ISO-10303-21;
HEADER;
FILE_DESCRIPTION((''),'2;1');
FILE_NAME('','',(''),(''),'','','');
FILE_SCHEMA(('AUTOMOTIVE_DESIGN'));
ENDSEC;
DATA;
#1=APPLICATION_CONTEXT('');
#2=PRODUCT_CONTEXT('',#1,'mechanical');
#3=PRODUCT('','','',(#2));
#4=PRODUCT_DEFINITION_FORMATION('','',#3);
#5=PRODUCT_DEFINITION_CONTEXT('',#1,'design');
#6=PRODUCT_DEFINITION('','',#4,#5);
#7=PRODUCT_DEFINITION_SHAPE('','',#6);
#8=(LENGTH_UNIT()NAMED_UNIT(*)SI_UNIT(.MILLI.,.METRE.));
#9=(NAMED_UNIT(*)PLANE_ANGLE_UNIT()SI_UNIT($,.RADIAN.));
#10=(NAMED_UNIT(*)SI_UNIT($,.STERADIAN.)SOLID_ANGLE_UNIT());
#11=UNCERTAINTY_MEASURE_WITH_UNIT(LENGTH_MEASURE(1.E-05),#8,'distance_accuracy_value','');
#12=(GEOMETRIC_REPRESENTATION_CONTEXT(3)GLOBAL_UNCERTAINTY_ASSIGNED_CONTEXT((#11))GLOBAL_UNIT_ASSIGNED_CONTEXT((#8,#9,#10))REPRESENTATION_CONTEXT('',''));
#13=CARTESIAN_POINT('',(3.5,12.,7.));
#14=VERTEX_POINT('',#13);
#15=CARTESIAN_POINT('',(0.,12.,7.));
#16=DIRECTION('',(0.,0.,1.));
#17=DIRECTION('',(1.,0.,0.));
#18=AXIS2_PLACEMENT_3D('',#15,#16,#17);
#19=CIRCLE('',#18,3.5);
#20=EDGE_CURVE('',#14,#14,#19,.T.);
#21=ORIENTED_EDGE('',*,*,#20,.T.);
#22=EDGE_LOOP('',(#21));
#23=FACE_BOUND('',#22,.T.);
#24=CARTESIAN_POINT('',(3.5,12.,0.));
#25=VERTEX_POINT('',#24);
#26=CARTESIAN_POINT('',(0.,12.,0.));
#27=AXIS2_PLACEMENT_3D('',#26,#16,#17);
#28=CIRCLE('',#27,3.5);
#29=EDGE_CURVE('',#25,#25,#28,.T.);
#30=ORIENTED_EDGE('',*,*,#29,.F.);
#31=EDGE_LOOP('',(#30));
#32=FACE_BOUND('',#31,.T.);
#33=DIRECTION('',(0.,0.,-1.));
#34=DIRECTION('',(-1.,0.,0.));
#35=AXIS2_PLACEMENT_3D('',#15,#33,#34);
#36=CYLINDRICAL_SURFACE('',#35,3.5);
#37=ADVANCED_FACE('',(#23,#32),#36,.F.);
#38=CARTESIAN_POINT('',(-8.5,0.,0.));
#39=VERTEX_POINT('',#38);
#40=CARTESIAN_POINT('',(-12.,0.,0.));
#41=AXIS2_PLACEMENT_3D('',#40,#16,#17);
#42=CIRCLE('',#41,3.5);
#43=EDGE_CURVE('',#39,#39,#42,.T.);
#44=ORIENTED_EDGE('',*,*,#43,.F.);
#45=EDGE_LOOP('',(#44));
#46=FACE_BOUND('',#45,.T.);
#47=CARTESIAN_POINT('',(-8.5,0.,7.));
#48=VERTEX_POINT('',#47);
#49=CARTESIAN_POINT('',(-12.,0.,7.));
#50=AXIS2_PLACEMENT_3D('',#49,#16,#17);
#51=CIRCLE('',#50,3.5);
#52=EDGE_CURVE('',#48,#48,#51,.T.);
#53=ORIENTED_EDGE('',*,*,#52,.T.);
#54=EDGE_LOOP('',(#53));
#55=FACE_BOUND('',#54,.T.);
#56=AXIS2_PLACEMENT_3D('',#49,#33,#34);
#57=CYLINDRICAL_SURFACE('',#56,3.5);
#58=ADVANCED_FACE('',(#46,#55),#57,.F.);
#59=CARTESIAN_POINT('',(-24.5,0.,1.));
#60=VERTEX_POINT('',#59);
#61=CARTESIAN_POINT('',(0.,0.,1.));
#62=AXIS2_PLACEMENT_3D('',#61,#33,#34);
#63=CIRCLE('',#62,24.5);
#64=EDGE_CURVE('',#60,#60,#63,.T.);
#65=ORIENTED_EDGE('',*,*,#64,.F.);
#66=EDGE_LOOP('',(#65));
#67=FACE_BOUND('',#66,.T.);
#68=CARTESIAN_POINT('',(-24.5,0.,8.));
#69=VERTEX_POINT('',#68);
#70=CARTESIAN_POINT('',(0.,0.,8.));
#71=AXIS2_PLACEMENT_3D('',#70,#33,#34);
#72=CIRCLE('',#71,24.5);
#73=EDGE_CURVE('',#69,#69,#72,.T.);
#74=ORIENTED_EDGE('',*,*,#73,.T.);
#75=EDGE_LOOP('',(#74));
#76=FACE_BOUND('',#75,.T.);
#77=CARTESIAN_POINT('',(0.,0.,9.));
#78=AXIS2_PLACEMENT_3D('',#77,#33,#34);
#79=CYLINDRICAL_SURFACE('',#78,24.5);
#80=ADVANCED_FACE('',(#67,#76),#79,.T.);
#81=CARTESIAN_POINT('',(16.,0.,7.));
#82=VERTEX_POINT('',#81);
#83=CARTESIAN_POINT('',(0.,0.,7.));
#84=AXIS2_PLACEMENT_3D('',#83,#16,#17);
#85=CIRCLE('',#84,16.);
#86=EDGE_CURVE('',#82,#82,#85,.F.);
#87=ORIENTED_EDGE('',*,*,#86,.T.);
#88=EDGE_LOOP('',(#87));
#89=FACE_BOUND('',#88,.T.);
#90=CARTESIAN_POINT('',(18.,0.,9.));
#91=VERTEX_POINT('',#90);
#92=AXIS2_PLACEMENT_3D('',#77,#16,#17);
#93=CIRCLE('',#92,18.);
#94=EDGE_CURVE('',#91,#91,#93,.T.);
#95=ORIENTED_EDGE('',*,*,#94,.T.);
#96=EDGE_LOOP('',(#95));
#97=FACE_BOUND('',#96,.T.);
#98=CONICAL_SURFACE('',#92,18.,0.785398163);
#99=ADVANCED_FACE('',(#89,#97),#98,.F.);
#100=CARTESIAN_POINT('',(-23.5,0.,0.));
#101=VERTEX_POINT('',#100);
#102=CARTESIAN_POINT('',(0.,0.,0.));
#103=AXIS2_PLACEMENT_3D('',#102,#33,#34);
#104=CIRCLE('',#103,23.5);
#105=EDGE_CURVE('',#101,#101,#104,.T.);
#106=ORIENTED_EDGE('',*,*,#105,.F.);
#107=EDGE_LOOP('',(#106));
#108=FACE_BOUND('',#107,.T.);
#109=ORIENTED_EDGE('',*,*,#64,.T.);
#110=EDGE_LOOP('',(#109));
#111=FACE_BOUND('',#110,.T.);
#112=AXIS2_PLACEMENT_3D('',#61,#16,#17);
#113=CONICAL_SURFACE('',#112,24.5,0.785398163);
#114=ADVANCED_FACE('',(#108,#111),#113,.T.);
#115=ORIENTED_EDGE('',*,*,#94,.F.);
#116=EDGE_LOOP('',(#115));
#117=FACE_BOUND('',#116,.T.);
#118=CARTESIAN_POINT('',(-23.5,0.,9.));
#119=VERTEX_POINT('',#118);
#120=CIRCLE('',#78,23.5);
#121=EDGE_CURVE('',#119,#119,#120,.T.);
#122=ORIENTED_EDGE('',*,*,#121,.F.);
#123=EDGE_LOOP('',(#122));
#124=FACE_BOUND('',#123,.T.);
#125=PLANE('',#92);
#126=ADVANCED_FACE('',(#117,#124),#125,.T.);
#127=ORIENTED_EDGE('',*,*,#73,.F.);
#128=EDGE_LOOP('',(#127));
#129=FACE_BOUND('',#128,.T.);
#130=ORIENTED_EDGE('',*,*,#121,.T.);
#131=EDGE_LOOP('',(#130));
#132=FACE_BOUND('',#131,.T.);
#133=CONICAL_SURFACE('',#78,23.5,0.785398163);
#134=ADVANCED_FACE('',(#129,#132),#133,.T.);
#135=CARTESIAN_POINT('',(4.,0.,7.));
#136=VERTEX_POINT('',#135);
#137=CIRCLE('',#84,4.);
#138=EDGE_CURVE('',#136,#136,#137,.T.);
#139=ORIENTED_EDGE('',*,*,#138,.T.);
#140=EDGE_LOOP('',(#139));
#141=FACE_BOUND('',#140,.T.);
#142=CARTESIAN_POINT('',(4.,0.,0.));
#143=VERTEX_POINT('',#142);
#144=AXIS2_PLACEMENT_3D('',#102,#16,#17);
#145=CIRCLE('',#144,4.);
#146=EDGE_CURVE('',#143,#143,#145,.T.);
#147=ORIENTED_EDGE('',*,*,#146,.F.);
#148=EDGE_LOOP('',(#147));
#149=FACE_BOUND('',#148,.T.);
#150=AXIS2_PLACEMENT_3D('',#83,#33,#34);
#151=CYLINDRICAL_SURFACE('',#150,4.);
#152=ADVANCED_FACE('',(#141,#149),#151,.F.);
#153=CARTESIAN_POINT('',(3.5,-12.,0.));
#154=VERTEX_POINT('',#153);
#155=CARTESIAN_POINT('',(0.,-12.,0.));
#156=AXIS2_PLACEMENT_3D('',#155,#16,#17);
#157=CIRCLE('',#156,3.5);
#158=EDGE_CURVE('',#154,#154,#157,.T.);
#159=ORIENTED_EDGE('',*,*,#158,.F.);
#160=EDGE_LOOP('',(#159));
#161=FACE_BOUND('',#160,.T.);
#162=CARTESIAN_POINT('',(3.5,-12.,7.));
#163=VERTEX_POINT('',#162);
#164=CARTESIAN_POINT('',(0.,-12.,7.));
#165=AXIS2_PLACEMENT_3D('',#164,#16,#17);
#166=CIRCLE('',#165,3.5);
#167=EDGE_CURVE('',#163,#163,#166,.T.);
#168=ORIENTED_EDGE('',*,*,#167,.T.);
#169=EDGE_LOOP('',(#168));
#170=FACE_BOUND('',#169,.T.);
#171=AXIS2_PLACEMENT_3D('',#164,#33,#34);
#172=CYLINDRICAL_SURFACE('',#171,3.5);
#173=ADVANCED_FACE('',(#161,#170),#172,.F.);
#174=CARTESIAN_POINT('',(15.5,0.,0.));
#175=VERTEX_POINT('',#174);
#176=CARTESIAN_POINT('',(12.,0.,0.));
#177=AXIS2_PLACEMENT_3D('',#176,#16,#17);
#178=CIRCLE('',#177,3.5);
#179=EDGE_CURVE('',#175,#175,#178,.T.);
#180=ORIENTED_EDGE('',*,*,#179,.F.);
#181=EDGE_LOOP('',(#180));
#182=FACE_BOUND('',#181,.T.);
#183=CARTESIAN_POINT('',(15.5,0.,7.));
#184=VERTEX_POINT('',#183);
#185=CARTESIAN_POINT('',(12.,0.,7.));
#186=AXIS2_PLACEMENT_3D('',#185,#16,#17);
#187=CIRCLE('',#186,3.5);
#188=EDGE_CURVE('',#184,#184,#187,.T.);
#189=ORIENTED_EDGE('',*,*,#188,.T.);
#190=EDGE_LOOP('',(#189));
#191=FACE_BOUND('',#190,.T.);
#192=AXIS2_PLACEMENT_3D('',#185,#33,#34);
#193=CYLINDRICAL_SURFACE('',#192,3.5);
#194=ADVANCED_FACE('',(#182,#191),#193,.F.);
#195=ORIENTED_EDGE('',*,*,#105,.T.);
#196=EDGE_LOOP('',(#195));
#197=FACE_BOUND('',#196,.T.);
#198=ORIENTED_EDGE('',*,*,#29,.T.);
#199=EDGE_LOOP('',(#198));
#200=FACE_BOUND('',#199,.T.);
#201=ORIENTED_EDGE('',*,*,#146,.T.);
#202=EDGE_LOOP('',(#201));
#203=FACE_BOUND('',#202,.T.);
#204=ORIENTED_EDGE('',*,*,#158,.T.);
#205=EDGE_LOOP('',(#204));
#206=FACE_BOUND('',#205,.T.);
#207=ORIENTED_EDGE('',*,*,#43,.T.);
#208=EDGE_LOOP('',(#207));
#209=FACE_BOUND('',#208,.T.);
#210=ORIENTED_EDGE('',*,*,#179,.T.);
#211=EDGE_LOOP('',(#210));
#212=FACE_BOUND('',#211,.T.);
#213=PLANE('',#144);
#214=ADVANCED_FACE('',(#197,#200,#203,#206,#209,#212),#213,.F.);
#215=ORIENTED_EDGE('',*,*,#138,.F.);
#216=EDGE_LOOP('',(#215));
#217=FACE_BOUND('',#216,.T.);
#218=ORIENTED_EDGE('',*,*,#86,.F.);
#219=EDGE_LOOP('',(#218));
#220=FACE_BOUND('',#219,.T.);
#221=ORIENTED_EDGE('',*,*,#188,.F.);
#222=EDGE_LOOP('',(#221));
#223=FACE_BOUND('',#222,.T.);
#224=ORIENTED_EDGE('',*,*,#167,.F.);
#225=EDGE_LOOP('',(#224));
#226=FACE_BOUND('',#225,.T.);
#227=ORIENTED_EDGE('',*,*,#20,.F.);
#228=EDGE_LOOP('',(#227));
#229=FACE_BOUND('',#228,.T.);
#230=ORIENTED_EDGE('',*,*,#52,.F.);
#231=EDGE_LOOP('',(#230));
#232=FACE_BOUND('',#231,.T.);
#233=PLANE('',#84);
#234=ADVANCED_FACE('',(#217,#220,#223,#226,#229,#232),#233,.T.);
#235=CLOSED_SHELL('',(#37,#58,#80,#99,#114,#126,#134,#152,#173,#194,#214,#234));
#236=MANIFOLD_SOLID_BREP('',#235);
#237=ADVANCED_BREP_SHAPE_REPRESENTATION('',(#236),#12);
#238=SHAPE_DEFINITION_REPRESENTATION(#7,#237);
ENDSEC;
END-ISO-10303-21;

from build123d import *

# Parameters (mm, degrees)
SKETCH1_R           = 24.5
SKETCH1_R_2         = 18
BOSS_EXTRUDE1_DEPTH = 9
SKETCH1_3_R         = 18
SKETCH1_3_R_2       = 3.5
SKETCH1_3_R_3       = 4
BOSS_EXTRUDE2_DEPTH = 7


with BuildPart() as part:
    # Sketch1 → Boss-Extrude1 (new body)
    with BuildSketch(Plane.XY):
        Circle(SKETCH1_R)
        Circle(SKETCH1_R_2, mode=Mode.SUBTRACT)
    extrude(amount=BOSS_EXTRUDE1_DEPTH)

    # Sketch1<3> → Boss-Extrude2 (add)
    with BuildSketch(Plane.XY):
        Circle(SKETCH1_3_R)
        with Locations((0, -12)):
            Circle(SKETCH1_3_R_2, mode=Mode.SUBTRACT)
        Circle(SKETCH1_3_R_3, mode=Mode.SUBTRACT)
        with Locations((12, 0)):
            Circle(SKETCH1_3_R_2, mode=Mode.SUBTRACT)
        with Locations((-12, 0)):
            Circle(SKETCH1_3_R_2, mode=Mode.SUBTRACT)
        with Locations((0, 12)):
            Circle(SKETCH1_3_R_2, mode=Mode.SUBTRACT)
    extrude(amount=BOSS_EXTRUDE2_DEPTH)

    # Sketch3 → Revolve2 (revolve)
    with BuildSketch(Plane(origin=(0, 0, 0), x_dir=(1, 0, 0), z_dir=(0, 1, 0))):
        Polygon((-18, -9), (-16, -7), (-18, -7), align=None)
    revolve(axis=Axis((0, 0, -3.771799992), (0, 0, 1)))

    # Sketch4 → Cut-Revolve1 (revolve, cut)
    with BuildSketch(Plane(origin=(0, 0, 0), x_dir=(1, 0, 0), z_dir=(0, 1, 0))):
        Polygon((-24.5, -8), (-23.5, -9), (-24.5, -9), align=None)
        Polygon((-24.5, -1), (-23.5, 0), (-24.5, 0), align=None)
    revolve(axis=Axis((0, 0, -7.551154296), (0, 0, 1)), mode=Mode.SUBTRACT)


solid = part.part
